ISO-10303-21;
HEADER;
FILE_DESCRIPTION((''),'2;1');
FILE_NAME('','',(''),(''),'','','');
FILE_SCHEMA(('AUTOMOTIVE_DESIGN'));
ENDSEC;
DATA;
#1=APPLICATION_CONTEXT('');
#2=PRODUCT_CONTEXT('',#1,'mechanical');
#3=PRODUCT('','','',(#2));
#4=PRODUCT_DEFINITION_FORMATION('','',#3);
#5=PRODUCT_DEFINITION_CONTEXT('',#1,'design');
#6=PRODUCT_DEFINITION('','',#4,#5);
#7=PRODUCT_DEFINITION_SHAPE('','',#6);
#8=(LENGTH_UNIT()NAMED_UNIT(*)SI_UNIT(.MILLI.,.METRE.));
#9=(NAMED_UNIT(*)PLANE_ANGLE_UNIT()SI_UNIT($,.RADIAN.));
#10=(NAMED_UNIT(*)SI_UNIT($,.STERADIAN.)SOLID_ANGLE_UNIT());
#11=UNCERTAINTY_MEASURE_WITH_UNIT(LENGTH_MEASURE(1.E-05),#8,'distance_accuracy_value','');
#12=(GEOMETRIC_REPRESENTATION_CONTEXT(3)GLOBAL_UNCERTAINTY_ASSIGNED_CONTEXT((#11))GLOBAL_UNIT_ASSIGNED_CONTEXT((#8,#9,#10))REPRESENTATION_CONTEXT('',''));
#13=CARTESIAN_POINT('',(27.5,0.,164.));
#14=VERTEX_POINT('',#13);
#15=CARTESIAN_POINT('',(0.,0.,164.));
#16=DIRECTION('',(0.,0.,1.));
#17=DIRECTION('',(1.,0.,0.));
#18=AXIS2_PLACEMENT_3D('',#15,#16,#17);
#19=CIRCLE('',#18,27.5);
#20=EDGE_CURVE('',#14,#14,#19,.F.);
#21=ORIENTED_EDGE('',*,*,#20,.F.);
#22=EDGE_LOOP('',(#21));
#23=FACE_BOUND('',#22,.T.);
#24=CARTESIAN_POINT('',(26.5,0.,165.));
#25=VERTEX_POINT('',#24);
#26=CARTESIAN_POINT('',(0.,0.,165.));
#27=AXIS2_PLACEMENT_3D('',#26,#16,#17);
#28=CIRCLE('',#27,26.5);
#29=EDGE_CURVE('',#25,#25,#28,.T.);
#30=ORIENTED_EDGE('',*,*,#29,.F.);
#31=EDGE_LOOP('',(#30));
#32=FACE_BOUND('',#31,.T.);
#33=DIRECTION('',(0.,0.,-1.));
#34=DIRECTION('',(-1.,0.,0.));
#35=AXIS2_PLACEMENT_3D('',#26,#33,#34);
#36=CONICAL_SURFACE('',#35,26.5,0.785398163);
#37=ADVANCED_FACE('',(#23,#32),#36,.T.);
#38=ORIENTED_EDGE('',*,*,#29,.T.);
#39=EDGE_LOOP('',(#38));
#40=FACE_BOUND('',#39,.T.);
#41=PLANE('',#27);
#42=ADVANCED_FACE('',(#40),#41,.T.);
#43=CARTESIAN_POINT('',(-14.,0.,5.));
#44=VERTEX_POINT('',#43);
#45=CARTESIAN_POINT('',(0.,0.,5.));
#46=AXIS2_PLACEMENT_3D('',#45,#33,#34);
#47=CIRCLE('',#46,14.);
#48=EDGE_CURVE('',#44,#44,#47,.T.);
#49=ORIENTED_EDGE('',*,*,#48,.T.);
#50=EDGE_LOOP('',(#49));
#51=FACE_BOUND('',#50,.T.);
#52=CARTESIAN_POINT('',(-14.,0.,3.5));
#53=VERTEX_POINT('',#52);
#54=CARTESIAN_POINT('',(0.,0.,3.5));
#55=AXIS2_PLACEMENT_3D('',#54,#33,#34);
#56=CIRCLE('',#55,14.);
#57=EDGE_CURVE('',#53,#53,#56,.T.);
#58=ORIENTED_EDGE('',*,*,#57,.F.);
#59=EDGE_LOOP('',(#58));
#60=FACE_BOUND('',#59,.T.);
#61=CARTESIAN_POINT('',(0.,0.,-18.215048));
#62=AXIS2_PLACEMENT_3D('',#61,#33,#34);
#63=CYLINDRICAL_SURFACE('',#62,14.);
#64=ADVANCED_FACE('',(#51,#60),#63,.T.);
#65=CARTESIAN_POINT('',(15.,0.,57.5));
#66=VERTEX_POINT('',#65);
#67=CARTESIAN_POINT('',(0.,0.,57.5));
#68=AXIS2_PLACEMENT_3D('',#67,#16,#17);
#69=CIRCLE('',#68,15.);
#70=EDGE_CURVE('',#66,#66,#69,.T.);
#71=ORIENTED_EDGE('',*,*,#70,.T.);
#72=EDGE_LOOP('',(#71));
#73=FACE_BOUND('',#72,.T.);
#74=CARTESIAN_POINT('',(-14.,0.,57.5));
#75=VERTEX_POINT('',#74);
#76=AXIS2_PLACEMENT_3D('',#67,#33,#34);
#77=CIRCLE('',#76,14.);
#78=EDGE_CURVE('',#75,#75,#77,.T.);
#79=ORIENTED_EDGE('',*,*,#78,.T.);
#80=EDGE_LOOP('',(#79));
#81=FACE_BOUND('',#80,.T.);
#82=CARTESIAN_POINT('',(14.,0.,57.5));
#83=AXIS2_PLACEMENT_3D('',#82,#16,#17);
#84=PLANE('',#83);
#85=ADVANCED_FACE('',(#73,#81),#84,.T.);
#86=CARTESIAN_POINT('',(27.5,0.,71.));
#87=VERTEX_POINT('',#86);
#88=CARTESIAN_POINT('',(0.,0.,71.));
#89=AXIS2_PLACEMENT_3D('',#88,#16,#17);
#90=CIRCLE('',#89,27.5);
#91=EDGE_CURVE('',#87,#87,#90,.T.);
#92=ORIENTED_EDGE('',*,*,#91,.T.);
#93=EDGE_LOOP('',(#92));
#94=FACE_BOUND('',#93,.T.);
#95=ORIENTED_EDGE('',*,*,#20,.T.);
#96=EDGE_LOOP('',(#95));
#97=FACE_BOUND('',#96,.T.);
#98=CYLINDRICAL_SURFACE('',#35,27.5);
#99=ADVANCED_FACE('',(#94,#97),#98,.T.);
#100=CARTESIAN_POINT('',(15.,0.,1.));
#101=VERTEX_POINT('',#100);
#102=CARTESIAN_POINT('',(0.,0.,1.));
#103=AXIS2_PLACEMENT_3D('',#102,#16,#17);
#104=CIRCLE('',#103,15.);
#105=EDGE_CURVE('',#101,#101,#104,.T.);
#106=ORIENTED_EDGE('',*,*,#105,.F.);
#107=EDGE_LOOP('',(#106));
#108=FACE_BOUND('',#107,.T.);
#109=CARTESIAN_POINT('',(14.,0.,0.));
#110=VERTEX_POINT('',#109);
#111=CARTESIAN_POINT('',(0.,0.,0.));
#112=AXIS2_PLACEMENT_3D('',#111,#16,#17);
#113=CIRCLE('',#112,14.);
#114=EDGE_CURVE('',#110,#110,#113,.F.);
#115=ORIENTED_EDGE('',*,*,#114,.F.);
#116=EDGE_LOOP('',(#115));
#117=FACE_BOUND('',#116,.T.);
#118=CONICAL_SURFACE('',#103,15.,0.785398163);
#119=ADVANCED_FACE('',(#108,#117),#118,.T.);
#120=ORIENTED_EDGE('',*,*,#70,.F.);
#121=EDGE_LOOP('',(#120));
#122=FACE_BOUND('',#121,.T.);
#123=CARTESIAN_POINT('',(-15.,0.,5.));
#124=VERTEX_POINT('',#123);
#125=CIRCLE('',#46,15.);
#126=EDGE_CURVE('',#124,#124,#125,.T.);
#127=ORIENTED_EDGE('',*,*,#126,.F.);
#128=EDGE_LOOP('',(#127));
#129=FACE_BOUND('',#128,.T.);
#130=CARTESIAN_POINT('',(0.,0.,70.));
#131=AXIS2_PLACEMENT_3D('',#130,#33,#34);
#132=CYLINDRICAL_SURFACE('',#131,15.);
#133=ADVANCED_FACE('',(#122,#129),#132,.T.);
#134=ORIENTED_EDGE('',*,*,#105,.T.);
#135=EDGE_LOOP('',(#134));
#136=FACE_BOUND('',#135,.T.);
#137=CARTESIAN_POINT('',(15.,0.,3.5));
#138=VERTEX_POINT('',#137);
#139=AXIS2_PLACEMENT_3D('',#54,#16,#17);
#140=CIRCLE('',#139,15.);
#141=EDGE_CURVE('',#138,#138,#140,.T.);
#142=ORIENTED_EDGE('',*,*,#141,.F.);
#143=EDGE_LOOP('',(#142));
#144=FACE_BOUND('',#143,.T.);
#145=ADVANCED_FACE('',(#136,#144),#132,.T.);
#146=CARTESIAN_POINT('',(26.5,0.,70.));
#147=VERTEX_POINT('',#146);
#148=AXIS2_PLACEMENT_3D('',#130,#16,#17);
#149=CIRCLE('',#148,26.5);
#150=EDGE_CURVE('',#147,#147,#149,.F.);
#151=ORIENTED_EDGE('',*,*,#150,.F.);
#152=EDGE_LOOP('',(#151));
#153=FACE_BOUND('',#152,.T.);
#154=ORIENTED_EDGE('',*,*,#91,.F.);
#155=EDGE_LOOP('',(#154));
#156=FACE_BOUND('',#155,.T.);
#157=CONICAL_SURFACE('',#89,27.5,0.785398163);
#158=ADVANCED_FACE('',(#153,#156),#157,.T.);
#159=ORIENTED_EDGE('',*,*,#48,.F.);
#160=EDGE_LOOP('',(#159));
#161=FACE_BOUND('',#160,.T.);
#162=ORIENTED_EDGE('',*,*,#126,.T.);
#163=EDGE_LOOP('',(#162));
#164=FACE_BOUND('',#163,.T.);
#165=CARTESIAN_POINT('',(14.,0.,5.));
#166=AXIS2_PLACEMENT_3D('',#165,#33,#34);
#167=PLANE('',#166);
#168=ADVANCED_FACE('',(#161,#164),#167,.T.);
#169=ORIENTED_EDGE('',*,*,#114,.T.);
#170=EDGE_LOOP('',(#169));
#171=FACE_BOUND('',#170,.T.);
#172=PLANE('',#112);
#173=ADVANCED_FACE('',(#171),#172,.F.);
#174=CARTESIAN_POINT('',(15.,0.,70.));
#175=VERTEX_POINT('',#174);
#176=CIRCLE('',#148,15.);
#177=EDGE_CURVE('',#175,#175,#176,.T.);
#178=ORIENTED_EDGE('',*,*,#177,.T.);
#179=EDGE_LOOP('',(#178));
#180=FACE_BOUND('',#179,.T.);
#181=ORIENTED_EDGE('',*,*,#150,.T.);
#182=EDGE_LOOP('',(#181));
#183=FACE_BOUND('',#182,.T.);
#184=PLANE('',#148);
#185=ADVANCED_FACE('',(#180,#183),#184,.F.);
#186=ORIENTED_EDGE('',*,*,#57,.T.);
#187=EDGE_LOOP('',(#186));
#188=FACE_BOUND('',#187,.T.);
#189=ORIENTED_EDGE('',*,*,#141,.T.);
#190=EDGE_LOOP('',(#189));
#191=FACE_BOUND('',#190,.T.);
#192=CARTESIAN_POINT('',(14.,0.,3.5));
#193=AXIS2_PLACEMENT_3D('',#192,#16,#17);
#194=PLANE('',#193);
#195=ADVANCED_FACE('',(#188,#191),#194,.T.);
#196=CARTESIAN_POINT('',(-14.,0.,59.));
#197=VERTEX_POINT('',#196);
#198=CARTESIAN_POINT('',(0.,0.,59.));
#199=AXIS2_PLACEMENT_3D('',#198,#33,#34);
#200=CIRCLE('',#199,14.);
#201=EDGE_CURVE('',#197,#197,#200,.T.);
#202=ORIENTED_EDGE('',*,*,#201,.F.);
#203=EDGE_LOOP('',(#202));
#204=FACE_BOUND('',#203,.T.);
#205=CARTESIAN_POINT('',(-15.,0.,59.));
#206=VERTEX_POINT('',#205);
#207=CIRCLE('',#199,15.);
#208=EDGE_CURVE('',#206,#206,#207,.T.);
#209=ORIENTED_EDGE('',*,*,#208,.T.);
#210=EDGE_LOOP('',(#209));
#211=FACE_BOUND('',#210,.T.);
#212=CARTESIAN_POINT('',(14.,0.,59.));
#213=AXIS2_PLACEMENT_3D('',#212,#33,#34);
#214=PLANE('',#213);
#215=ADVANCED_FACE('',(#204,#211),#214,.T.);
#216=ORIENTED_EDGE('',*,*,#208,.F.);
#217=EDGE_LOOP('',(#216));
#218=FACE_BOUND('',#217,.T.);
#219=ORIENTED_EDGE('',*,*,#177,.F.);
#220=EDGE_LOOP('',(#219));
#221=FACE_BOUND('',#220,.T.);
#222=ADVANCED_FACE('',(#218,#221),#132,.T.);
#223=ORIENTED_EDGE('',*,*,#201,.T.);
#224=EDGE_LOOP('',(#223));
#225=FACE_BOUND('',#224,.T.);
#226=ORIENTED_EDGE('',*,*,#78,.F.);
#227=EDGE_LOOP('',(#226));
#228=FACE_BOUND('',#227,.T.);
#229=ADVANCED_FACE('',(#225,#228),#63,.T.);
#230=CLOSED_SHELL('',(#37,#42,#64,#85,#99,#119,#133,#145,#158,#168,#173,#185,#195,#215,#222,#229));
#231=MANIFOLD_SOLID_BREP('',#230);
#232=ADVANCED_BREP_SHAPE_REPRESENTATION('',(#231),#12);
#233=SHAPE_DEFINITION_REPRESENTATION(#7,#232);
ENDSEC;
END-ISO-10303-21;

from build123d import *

# Parameters (mm, degrees)
SKETCH_1_R      = 15
EXTRUDE_1_DEPTH = 70
SKETCH_2_R      = 27.5
EXTRUDE_2_DEPTH = 95
CHAMFER_1_SIZE  = 1
SKETCH_3_W      = 5.21377611
SKETCH_3_H      = 1.5


with BuildPart() as part:
    # 草图1 → 凸台-拉伸1 (new body)
    with BuildSketch(Plane.XY):
        Circle(SKETCH_1_R)
    extrude(amount=EXTRUDE_1_DEPTH)

    # 草图2 → 凸台-拉伸2 (add)
    with BuildSketch(Plane.XY.offset(70)):
        Circle(SKETCH_2_R)
    extrude(amount=EXTRUDE_2_DEPTH)

    # 倒角1
    chamfer_1_edges = [part.edges().sort_by_distance(p)[0] for p in [
        (-15, 0, 0),
        (-27.5, 0, 70),
        (-27.5, 0, 165),
    ]]
    chamfer(chamfer_1_edges, length=CHAMFER_1_SIZE)

    # 草图3 → 切除-旋转1 (revolve, cut)
    with BuildSketch(Plane(origin=(0, 0, 0), x_dir=(1, 0, 0), z_dir=(0, 1, 0)), mode=Mode.PRIVATE) as cut_revolve_1_sk:
        with Locations((16.606888055, -58.25)):
            Rectangle(SKETCH_3_W, SKETCH_3_H)
        with Locations((16.606888055, -4.25)):
            Rectangle(SKETCH_3_W, SKETCH_3_H)
    revolve(cut_revolve_1_sk.sketch.rotate(Axis((0, 0, -18.215048165), (0, 0, 1)), 180), axis=Axis((0, 0, -18.215048165), (0, 0, 1)), mode=Mode.SUBTRACT)


solid = part.part
